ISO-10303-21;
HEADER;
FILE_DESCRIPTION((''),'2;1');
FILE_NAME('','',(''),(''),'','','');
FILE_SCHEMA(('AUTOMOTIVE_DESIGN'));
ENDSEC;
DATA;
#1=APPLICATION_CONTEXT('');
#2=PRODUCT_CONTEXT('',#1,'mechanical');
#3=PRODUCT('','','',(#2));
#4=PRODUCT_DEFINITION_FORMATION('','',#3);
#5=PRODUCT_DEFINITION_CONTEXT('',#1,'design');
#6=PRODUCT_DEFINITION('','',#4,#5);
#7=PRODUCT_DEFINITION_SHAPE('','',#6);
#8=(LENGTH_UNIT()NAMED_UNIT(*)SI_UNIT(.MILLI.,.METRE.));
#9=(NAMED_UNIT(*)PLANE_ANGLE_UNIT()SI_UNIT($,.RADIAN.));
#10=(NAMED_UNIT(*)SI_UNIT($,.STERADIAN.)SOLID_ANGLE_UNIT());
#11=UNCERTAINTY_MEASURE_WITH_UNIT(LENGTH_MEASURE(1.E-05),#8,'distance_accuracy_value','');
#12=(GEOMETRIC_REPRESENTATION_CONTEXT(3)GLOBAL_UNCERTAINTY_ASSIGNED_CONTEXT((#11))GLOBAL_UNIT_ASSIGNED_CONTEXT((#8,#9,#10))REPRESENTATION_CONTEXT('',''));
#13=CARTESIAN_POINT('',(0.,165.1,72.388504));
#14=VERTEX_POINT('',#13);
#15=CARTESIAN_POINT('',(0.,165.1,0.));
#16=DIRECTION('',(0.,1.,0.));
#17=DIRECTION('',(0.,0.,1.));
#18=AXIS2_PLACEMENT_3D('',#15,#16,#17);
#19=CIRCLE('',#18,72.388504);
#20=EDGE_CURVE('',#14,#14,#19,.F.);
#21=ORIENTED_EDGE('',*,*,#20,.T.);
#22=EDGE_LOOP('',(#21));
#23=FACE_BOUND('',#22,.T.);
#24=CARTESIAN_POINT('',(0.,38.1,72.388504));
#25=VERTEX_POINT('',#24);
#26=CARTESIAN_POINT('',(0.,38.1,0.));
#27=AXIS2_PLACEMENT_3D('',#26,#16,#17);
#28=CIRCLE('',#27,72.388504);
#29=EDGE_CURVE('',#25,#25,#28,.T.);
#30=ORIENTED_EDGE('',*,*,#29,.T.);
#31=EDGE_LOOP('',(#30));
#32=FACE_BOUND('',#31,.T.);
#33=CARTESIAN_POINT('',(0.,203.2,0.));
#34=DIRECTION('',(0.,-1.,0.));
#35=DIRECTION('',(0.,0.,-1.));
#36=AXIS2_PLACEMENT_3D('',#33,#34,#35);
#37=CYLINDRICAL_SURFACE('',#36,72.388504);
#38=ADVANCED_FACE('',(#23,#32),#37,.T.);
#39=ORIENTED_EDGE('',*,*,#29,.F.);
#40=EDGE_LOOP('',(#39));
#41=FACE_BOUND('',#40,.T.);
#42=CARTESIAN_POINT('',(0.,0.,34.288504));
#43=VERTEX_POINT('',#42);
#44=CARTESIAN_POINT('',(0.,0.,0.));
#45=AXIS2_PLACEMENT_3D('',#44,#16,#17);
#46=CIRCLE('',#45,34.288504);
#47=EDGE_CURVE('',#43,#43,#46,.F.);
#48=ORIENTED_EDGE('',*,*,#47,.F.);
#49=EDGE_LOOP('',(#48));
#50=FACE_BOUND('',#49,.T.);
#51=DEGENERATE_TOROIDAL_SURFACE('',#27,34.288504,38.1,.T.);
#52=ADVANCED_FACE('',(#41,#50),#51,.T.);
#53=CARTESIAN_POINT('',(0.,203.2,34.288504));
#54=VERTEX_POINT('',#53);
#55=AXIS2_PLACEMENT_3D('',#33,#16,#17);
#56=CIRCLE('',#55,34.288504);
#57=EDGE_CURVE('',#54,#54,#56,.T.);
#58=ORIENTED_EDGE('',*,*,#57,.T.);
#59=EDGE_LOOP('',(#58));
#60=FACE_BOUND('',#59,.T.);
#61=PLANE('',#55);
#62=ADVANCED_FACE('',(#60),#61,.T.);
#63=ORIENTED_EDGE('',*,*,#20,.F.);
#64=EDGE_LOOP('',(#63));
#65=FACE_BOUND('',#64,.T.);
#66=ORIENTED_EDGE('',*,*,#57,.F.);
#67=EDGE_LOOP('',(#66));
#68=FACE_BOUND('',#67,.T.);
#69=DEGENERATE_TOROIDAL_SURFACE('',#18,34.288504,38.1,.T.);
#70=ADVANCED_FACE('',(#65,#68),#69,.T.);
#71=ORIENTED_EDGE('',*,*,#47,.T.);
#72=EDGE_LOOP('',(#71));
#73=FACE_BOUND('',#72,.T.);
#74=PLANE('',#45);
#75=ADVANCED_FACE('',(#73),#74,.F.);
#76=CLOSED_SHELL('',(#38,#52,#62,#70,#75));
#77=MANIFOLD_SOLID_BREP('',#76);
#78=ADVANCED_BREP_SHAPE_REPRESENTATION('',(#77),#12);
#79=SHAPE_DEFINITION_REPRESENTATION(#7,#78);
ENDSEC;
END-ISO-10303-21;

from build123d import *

# Parameters (mm, degrees)
SKETCH1_R           = 72.388504202
BOSS_EXTRUDE1_DEPTH = 203.2
FILLET1_R           = 38.1


with BuildPart() as part:
    # Sketch1 → Boss-Extrude1 (new body)
    with BuildSketch(Plane(origin=(0, 0, 0), x_dir=(1, 0, 0), z_dir=(0, 1, 0))):
        Circle(SKETCH1_R)
    extrude(amount=BOSS_EXTRUDE1_DEPTH)

    # Fillet1
    fillet1_edges = [part.edges().sort_by_distance(p)[0] for p in [
        (-72.388504202, 0, 0),
        (-72.388504202, 203.2, 0),
    ]]
    fillet(fillet1_edges, radius=FILLET1_R)


solid = part.part
